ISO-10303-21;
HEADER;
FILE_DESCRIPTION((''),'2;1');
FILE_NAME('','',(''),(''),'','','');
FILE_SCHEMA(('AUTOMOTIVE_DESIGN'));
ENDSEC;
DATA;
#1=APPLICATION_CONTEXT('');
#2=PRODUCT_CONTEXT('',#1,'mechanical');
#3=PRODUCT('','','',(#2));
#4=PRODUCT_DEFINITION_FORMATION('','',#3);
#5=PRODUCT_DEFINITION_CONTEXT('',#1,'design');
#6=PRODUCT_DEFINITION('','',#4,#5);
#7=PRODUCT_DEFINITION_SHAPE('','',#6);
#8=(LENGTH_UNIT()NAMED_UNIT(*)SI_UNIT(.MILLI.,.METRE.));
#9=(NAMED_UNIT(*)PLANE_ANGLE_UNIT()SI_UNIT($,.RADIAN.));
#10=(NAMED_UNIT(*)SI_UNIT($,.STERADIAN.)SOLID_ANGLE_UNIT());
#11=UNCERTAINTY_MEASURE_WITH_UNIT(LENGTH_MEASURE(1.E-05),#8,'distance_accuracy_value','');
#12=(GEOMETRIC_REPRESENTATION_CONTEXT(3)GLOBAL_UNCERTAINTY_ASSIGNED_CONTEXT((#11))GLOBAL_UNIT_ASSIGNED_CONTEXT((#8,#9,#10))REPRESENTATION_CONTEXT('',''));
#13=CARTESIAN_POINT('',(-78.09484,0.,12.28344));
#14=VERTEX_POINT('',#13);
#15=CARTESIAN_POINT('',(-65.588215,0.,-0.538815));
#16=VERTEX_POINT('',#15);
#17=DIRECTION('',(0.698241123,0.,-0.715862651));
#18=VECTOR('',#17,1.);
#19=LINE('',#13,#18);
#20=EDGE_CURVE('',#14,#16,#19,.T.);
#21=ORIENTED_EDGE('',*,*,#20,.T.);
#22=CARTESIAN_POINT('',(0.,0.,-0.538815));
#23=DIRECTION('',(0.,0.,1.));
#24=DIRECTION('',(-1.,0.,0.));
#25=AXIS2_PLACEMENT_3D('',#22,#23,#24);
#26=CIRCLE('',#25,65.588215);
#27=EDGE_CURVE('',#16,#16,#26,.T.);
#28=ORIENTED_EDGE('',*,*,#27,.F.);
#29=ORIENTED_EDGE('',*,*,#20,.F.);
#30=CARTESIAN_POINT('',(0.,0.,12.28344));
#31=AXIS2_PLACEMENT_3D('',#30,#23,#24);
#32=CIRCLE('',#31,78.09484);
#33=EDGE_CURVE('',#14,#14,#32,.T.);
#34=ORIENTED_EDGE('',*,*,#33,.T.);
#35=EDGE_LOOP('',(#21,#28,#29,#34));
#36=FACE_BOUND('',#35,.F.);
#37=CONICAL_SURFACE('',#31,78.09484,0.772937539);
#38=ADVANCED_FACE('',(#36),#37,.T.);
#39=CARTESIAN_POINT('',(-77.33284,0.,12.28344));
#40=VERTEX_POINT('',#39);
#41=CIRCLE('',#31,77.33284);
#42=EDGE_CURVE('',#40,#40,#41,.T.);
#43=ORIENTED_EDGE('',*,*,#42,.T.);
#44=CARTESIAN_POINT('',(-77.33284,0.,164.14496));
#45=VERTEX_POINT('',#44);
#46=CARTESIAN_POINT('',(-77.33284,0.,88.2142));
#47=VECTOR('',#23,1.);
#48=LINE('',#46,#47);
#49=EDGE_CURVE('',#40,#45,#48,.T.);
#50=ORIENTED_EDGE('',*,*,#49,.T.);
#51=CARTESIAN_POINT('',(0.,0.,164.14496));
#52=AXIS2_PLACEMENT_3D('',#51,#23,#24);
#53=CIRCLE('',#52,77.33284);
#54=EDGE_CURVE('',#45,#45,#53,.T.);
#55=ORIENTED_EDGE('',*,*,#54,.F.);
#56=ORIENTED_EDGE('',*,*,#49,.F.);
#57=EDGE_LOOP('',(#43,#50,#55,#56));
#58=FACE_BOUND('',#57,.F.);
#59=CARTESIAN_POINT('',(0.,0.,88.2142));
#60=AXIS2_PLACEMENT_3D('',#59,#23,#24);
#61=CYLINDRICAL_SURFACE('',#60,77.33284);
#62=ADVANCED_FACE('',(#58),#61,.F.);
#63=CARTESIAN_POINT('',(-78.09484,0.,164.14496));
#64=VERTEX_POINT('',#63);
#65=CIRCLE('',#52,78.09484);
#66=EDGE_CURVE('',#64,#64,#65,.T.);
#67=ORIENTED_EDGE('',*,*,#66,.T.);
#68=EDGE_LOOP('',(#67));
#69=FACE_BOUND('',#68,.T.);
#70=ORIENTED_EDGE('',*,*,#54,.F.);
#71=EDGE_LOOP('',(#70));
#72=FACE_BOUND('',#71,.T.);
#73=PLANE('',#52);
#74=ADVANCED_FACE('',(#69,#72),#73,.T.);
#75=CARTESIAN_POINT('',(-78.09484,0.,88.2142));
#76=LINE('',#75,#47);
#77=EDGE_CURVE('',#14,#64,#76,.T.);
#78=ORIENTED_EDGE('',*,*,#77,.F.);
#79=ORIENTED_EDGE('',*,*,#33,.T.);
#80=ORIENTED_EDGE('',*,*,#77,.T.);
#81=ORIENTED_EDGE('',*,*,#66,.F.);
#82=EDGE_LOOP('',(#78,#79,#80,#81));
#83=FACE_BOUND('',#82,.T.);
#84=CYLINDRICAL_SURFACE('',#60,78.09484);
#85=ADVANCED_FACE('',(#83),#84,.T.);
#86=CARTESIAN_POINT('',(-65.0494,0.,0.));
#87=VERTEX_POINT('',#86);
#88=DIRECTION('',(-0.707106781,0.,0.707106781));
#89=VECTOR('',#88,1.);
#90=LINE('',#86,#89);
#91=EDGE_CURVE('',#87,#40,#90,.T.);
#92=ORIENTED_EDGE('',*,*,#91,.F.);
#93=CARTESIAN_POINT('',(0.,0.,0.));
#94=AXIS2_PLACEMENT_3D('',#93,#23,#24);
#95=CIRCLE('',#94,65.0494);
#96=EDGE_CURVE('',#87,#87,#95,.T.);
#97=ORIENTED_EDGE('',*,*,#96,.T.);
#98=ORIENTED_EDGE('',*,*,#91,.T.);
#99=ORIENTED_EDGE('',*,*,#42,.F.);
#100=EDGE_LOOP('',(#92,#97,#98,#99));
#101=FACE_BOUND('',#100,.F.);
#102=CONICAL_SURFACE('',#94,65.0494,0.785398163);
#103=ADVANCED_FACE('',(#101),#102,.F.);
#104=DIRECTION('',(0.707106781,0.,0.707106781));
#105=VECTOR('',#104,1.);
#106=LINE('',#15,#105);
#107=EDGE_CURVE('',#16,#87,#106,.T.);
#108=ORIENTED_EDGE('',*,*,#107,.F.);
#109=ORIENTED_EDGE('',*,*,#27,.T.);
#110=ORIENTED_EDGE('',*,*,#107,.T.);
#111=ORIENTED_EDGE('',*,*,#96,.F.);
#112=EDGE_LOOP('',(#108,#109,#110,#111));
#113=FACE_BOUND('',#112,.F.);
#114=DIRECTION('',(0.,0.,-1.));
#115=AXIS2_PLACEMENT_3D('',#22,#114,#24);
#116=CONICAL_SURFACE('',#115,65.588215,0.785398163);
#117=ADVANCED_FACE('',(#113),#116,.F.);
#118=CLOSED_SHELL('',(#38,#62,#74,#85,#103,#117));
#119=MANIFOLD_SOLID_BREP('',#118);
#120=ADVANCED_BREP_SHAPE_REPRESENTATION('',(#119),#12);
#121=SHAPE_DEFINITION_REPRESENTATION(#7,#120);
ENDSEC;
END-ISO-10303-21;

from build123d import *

# Parameters (mm, degrees)
F0_W = 0.762
F0_H = 151.86152


with BuildPart() as f2:
    # F0 (on Front) → F2 (revolve)
    with BuildSketch(Plane.XZ):
        with Locations((-77.71384, 88.2142)):
            Rectangle(F0_W, F0_H)
        Polygon((-65.0494, 0), (-77.33284, 12.28344), (-78.09484, 12.28344), (-65.588215, -0.538815), align=None)
    revolve(axis=Axis((0, 0, 45.767767), (0, 0, 1)))


solid = f2.part
